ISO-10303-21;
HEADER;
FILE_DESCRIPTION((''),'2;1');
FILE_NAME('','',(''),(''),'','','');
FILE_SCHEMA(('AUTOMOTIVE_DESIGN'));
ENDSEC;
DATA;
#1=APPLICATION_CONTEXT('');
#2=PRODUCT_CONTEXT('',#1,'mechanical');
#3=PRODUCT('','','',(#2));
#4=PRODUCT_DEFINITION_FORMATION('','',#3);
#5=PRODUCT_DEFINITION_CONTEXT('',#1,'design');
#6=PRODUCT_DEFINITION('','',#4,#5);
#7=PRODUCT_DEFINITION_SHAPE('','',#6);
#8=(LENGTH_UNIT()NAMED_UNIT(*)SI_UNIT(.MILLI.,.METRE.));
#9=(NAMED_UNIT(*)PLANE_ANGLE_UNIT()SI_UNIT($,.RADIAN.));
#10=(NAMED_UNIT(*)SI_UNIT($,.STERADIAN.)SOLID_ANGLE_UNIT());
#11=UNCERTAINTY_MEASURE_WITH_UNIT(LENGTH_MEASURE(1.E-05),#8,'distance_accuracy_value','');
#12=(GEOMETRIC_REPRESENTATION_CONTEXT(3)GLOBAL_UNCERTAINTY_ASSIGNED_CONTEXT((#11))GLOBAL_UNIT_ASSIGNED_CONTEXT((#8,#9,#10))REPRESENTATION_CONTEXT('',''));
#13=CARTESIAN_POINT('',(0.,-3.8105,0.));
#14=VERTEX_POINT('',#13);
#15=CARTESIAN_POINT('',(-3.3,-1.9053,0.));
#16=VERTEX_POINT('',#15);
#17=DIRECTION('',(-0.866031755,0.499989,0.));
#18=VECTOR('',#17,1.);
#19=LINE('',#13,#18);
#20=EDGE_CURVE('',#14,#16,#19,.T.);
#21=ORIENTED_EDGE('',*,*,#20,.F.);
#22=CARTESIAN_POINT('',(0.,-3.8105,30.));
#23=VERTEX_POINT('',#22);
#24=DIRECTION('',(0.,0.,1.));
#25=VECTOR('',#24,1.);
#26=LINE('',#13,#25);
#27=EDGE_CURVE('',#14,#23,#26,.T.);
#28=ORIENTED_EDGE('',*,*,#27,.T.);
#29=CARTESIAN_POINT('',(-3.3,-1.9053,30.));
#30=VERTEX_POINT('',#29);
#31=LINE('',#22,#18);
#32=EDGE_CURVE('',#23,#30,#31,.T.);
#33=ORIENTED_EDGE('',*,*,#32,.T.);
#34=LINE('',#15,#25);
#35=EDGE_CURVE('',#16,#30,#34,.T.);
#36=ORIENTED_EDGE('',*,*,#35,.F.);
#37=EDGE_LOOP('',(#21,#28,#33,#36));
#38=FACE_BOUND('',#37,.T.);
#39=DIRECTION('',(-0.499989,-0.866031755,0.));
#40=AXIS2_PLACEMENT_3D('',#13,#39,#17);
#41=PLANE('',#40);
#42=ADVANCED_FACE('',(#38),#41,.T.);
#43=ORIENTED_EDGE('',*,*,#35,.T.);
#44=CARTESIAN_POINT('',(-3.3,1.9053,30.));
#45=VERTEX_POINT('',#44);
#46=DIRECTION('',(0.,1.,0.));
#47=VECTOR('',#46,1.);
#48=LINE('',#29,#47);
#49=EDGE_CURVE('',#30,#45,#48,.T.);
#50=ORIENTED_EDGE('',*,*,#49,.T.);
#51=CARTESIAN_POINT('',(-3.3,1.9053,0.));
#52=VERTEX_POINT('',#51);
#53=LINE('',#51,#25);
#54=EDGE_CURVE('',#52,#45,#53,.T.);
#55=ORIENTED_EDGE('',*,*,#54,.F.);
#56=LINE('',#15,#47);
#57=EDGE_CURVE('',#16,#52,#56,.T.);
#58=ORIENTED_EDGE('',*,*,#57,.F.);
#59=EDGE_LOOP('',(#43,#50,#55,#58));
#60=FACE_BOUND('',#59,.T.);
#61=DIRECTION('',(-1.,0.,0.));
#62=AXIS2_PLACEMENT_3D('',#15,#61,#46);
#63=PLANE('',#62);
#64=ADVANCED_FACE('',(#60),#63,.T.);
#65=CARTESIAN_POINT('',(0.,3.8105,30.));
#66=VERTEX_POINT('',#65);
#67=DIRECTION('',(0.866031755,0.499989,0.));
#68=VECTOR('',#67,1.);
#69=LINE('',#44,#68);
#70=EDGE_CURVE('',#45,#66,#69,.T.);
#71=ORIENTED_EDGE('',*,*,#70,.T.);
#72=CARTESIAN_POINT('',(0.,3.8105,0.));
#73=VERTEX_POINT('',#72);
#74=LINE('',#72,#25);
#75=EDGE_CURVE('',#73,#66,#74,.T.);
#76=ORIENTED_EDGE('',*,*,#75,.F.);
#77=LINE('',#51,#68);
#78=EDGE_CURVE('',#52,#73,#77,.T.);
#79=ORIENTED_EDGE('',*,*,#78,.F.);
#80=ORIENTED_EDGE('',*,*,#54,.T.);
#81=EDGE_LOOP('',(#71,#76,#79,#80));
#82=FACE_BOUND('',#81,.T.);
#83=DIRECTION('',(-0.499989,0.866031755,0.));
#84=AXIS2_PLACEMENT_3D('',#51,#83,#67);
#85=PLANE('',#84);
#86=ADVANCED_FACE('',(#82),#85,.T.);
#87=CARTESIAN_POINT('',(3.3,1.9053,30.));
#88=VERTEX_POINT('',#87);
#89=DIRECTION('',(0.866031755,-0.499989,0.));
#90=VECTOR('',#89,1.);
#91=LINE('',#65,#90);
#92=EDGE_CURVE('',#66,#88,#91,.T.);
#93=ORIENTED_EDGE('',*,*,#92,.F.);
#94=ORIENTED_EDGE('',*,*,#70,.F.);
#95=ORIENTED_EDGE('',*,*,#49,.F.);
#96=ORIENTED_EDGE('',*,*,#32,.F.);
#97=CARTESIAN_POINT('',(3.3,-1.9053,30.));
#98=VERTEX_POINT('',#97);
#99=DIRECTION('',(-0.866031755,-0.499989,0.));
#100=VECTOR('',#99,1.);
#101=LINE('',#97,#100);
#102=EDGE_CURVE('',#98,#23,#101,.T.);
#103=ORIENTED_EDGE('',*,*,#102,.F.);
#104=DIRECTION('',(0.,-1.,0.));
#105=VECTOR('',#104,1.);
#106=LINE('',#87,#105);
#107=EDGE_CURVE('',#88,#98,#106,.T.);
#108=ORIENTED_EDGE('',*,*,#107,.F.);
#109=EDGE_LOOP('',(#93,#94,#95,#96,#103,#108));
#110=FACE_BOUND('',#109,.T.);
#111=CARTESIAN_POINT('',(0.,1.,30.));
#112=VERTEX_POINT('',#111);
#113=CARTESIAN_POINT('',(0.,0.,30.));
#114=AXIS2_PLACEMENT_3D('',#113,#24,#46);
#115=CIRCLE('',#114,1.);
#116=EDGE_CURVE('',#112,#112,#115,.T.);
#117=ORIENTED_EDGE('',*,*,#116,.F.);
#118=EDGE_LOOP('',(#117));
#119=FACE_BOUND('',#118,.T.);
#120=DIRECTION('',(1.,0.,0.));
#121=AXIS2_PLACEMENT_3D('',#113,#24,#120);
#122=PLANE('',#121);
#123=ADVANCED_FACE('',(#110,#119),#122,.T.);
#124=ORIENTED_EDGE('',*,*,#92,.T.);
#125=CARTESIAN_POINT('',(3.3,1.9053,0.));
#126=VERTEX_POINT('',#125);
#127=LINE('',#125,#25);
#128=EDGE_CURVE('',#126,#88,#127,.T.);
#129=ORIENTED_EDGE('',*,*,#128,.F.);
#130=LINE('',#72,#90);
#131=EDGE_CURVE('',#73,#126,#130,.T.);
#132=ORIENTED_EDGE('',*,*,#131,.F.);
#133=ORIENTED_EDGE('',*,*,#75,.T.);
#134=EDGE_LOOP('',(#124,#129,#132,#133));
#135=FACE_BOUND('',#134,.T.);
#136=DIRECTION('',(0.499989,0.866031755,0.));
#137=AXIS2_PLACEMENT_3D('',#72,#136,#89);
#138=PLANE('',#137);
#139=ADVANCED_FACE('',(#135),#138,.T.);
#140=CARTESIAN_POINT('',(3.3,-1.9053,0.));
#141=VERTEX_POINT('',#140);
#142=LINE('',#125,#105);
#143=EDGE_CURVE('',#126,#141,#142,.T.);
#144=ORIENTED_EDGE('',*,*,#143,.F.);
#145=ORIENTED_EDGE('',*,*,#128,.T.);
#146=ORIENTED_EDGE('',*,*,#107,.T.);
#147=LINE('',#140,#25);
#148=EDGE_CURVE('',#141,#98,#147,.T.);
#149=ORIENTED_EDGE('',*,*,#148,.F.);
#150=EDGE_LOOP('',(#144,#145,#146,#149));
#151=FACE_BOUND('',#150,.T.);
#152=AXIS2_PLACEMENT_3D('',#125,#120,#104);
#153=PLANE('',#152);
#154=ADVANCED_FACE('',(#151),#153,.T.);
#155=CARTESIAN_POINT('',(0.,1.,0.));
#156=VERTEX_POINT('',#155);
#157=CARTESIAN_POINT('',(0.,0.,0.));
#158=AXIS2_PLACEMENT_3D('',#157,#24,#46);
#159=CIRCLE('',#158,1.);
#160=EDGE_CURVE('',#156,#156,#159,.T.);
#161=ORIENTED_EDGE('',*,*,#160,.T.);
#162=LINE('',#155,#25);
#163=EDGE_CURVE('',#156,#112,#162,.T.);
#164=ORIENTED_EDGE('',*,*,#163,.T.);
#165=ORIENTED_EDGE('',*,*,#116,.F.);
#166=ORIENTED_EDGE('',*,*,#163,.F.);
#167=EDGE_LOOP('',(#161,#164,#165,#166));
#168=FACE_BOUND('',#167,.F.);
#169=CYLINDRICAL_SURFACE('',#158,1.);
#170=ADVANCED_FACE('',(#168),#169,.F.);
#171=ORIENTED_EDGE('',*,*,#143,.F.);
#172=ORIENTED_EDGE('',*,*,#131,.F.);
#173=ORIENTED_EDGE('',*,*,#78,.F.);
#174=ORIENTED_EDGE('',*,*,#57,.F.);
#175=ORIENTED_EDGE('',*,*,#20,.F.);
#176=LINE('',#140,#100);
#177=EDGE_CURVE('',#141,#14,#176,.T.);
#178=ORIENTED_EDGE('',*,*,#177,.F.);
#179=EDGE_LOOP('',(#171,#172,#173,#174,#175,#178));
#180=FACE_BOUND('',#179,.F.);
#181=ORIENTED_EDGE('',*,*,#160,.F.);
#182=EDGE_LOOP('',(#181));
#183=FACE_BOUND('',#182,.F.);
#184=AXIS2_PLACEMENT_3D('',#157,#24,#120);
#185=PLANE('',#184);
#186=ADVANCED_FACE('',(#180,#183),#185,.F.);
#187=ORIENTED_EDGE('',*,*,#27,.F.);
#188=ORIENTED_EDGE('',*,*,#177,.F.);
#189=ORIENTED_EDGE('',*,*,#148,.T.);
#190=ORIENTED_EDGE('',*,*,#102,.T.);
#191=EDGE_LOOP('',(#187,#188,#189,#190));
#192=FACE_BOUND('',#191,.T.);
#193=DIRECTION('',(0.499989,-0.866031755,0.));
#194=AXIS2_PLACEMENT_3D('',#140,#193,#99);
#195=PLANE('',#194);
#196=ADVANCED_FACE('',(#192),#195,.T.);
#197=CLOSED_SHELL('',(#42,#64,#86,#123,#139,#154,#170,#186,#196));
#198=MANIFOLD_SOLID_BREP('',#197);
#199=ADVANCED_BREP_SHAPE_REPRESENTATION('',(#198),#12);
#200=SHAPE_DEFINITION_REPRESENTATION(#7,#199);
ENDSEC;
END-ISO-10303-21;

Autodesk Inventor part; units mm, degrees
ref_plane "YZ Plane" through (0, 0, 0) normal (1, 0, 0) x (0, 1, 0)
ref_plane "XZ Plane" through (0, 0, 0) normal (0, 1, 0) x (-1, 0, 0)
ref_plane "XY Plane" through (0, 0, 0) normal (0, 0, 1) x (1, 0, 0)
sketch "Sketch1" plane through (0, 0, 0) normal (0, 0, 1) x (1, 0, 0)
  circle A0 centre (0, 0) radius 0.9 construction
  circle A1 centre (0, 0) radius 3.3 construction
  line L0 (3.3, -1.9053) -> (0, -3.8105)
  line L1 (0, -3.8105) -> (-3.3, -1.9053)
  line L2 (-3.3, -1.9053) -> (-3.3, 1.9053)
  line L3 (-3.3, 1.9053) -> (0, 3.8105)
  line L4 (0, 3.8105) -> (3.3, 1.9053)
  line L5 (3.3, 1.9053) -> (3.3, -1.9053)
  circle A2 centre (0, 0) radius 0.6
  point P0 (3.3, 0)
  dimension "d0" = 1.8
  dimension "d1" = 2.4
  dimension "d4" = 1.2
extrude "Extrusion1" add sketch "Sketch1" along normal blind 30
sketch "Sketch2" plane through (0, 0, 0) normal (0, 0, -1) x (-1, 0, 0)
  circle A0 centre (0, 0) radius 0.6 projected
hole "Hole1" at (0, 0, 0) direction (0, 0, 1) diameter 2 end through all
properties part number "Standoff_V1"
